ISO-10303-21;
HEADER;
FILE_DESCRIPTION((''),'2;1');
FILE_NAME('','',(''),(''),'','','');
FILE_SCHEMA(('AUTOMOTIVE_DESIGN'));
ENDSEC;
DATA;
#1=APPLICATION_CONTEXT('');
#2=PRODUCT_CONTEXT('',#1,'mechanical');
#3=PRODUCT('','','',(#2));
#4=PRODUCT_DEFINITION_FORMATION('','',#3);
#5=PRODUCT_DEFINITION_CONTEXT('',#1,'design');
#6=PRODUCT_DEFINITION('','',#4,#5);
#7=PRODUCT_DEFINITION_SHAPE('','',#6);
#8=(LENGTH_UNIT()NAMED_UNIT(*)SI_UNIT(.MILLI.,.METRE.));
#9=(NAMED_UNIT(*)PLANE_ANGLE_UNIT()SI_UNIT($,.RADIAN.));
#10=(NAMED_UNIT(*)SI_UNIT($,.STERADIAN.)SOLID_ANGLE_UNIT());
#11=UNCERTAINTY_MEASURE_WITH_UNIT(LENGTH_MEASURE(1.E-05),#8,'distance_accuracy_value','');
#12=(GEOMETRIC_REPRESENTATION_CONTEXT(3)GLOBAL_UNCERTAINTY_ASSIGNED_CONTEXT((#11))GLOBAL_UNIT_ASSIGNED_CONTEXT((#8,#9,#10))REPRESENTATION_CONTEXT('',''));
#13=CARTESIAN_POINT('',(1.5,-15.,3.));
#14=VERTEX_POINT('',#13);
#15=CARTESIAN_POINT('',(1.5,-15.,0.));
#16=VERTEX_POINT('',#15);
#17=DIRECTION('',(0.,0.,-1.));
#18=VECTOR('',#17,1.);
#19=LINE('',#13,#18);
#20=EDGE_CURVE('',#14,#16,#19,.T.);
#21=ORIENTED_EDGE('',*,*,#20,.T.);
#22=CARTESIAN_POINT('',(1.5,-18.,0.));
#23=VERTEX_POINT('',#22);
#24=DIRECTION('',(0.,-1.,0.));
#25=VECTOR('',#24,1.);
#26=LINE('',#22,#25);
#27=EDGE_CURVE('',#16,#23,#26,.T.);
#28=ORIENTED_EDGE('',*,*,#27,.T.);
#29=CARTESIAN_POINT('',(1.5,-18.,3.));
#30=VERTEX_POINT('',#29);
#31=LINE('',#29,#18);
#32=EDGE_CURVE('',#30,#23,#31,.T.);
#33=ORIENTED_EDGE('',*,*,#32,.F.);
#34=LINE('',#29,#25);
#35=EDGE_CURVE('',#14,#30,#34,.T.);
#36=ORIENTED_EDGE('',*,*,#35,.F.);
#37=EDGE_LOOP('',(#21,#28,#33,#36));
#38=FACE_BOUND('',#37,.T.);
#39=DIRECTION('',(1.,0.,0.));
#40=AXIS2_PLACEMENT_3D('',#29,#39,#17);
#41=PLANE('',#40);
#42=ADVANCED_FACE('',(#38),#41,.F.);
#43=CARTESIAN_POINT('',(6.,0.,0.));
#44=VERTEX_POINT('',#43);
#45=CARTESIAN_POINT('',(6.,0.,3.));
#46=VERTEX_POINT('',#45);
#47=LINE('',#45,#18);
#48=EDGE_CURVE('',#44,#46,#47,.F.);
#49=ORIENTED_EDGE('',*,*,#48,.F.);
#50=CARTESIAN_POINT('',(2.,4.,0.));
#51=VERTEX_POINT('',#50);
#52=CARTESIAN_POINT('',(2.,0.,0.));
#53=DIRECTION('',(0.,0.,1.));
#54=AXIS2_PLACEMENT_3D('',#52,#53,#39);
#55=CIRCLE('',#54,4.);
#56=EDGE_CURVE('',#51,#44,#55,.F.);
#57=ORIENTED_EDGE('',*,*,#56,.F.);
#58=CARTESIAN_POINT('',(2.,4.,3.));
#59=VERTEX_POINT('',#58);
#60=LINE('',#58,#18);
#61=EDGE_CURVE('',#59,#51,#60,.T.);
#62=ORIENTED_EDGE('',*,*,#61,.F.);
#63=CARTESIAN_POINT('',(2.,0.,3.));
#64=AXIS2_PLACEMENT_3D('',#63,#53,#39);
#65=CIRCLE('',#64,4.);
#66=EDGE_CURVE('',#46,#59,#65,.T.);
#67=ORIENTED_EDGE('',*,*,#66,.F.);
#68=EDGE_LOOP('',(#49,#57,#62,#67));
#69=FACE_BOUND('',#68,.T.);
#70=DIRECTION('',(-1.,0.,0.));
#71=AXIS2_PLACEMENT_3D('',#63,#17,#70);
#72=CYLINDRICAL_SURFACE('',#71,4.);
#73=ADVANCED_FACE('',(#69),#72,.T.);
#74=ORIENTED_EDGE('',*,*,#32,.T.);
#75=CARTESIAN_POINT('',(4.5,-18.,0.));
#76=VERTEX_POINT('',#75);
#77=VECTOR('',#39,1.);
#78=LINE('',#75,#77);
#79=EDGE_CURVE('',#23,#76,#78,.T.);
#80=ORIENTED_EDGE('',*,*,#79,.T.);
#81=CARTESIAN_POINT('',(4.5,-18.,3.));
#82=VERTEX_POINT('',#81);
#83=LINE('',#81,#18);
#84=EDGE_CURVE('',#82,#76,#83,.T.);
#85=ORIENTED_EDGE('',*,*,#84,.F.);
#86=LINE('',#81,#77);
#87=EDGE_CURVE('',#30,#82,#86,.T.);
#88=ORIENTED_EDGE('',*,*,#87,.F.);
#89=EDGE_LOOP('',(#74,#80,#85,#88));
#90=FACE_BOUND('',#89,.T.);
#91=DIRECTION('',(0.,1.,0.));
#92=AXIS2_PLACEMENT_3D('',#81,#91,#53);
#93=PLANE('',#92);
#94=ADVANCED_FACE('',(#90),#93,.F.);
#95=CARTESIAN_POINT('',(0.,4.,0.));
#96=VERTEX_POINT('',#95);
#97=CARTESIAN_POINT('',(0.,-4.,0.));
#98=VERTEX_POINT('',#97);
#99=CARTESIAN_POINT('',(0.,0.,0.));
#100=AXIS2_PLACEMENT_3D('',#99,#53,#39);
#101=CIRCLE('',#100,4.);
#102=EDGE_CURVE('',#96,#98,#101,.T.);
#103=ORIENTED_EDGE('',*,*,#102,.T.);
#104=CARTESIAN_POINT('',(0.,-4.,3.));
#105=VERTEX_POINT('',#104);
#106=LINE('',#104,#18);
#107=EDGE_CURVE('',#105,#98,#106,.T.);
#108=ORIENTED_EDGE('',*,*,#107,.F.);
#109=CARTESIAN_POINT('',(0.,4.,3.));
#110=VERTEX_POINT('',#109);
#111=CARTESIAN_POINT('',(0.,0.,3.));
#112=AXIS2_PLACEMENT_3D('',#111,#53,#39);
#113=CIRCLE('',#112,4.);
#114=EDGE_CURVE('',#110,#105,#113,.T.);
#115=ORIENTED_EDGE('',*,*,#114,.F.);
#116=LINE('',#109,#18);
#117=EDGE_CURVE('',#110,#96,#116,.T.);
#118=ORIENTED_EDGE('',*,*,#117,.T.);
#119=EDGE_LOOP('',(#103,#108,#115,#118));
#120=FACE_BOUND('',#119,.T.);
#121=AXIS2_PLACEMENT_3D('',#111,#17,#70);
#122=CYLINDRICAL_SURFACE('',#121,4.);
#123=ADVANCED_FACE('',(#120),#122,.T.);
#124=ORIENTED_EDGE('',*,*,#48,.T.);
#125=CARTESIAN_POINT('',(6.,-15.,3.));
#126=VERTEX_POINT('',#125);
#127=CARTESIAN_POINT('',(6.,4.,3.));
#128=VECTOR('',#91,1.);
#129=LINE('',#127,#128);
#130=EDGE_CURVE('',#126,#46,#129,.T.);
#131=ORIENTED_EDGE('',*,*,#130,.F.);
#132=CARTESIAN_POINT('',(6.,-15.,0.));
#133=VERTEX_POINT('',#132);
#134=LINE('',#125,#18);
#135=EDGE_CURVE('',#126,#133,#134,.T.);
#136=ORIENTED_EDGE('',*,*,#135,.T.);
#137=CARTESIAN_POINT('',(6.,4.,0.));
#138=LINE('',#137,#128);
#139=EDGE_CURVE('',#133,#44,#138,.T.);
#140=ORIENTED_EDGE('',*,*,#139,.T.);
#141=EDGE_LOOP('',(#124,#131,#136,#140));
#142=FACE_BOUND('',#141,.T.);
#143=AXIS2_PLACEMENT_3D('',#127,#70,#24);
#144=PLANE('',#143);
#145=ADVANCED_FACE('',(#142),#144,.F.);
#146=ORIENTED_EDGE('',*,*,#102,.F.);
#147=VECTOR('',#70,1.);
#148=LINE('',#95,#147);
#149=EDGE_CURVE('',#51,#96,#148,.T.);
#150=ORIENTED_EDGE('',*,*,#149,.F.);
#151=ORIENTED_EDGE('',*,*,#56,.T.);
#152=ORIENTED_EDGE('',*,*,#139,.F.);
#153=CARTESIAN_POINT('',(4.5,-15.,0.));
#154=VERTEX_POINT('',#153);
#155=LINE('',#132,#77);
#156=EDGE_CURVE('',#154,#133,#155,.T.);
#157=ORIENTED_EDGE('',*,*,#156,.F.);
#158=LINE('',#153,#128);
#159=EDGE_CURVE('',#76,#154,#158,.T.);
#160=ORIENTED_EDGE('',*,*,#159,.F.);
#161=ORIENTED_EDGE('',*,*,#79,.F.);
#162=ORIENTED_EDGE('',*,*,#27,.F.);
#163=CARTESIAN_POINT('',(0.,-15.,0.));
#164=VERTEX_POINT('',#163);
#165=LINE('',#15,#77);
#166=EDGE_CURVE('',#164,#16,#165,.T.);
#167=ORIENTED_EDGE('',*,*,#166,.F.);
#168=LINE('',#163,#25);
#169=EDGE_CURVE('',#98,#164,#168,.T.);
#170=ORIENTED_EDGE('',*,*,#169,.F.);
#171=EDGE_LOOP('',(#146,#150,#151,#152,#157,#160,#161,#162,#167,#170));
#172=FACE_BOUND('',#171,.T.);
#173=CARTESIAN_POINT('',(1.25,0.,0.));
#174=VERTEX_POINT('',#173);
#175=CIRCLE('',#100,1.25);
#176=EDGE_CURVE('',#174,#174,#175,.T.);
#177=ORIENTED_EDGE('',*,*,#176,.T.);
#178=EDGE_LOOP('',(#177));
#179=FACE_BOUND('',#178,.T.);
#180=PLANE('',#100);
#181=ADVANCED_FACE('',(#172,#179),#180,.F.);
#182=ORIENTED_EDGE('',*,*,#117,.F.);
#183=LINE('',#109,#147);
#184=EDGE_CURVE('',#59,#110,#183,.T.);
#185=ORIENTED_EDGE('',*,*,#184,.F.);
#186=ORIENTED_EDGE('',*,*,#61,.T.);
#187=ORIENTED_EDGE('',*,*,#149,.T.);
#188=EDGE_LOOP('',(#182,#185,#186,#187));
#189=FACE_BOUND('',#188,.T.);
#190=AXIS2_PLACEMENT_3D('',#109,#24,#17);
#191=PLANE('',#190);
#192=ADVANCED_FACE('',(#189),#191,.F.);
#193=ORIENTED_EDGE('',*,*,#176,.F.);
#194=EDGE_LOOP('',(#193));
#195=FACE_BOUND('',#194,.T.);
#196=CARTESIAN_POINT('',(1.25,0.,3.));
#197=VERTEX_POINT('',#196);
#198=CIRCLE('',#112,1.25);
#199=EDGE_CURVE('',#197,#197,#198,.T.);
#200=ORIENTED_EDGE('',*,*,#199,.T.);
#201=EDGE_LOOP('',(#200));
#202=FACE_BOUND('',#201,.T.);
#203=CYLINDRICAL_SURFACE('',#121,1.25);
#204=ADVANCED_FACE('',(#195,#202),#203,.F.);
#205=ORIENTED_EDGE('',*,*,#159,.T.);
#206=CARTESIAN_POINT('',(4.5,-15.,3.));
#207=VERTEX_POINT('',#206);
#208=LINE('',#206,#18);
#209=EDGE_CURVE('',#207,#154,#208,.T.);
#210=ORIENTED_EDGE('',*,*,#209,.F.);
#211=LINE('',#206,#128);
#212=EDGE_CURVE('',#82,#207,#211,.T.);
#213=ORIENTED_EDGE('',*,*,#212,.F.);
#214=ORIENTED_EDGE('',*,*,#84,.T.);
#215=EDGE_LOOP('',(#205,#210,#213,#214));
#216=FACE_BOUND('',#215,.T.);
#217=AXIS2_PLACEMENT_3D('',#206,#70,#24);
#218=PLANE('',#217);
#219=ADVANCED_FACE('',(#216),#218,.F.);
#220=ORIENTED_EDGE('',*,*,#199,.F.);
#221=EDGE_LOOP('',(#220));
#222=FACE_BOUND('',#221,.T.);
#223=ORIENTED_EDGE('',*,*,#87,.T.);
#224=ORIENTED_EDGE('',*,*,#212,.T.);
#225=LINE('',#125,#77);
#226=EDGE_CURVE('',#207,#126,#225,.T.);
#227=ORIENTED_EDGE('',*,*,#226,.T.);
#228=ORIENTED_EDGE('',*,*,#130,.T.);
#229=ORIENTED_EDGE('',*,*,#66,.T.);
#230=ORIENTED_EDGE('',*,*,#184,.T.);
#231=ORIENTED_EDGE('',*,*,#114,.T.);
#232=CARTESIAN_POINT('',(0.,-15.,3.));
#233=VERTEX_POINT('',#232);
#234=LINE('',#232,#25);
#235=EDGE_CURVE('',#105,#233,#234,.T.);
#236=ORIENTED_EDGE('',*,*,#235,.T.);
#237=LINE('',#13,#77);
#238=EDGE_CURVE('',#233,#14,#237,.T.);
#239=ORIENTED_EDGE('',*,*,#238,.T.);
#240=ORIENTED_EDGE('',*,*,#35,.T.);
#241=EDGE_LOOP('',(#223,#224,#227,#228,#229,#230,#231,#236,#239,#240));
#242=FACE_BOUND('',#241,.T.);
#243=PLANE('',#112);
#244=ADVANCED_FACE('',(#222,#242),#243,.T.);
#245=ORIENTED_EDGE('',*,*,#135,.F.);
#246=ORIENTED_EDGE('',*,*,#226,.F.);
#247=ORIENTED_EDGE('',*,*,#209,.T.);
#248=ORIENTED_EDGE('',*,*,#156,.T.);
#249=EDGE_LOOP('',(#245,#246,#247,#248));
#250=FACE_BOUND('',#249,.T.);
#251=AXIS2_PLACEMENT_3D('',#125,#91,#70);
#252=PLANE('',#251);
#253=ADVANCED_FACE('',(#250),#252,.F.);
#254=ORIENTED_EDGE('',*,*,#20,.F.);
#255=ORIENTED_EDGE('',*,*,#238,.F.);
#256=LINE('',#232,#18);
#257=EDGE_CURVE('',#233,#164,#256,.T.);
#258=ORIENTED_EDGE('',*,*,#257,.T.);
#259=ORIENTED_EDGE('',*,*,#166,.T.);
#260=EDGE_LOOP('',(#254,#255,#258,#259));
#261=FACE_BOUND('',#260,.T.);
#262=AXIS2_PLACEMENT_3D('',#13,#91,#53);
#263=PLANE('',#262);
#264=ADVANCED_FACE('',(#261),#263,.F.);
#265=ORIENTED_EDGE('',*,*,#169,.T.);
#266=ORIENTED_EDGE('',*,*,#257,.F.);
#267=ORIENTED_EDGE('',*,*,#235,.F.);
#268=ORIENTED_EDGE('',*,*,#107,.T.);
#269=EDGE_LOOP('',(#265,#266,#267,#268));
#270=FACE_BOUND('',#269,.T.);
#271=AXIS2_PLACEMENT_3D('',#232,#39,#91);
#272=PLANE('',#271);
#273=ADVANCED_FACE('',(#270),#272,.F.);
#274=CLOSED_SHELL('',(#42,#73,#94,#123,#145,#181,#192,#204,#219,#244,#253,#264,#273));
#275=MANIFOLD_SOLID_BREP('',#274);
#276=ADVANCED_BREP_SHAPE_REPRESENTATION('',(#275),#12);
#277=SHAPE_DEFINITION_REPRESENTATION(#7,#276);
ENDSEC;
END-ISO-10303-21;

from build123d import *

# Parameters (mm, degrees)
SKETCH2_R           = 1.25
BOSS_EXTRUDE1_DEPTH = 3
FILLET1_R           = 4


with BuildPart() as part:
    # Sketch2 → Boss-Extrude1 (new body)
    with BuildSketch(Plane.XY):
        with BuildLine():
            Line((6, 4), (6, -15))
            Line((6, -15), (4.5, -15))
            Line((4.5, -15), (4.5, -18))
            Line((4.5, -18), (1.5, -18))
            Line((1.5, -18), (1.5, -15))
            Line((1.5, -15), (0, -15))
            Line((0, -15), (0, -4))
            ThreePointArc((0, -4), (-4, 0), (0, 4))
            Line((0, 4), (6, 4))
        make_face()
        Circle(SKETCH2_R, mode=Mode.SUBTRACT)
    extrude(amount=BOSS_EXTRUDE1_DEPTH)

    # Fillet1
    fillet1_edges = [part.edges().sort_by_distance(p)[0] for p in [
        (6, 4, 1.5),
    ]]
    fillet(fillet1_edges, radius=FILLET1_R)


solid = part.part
